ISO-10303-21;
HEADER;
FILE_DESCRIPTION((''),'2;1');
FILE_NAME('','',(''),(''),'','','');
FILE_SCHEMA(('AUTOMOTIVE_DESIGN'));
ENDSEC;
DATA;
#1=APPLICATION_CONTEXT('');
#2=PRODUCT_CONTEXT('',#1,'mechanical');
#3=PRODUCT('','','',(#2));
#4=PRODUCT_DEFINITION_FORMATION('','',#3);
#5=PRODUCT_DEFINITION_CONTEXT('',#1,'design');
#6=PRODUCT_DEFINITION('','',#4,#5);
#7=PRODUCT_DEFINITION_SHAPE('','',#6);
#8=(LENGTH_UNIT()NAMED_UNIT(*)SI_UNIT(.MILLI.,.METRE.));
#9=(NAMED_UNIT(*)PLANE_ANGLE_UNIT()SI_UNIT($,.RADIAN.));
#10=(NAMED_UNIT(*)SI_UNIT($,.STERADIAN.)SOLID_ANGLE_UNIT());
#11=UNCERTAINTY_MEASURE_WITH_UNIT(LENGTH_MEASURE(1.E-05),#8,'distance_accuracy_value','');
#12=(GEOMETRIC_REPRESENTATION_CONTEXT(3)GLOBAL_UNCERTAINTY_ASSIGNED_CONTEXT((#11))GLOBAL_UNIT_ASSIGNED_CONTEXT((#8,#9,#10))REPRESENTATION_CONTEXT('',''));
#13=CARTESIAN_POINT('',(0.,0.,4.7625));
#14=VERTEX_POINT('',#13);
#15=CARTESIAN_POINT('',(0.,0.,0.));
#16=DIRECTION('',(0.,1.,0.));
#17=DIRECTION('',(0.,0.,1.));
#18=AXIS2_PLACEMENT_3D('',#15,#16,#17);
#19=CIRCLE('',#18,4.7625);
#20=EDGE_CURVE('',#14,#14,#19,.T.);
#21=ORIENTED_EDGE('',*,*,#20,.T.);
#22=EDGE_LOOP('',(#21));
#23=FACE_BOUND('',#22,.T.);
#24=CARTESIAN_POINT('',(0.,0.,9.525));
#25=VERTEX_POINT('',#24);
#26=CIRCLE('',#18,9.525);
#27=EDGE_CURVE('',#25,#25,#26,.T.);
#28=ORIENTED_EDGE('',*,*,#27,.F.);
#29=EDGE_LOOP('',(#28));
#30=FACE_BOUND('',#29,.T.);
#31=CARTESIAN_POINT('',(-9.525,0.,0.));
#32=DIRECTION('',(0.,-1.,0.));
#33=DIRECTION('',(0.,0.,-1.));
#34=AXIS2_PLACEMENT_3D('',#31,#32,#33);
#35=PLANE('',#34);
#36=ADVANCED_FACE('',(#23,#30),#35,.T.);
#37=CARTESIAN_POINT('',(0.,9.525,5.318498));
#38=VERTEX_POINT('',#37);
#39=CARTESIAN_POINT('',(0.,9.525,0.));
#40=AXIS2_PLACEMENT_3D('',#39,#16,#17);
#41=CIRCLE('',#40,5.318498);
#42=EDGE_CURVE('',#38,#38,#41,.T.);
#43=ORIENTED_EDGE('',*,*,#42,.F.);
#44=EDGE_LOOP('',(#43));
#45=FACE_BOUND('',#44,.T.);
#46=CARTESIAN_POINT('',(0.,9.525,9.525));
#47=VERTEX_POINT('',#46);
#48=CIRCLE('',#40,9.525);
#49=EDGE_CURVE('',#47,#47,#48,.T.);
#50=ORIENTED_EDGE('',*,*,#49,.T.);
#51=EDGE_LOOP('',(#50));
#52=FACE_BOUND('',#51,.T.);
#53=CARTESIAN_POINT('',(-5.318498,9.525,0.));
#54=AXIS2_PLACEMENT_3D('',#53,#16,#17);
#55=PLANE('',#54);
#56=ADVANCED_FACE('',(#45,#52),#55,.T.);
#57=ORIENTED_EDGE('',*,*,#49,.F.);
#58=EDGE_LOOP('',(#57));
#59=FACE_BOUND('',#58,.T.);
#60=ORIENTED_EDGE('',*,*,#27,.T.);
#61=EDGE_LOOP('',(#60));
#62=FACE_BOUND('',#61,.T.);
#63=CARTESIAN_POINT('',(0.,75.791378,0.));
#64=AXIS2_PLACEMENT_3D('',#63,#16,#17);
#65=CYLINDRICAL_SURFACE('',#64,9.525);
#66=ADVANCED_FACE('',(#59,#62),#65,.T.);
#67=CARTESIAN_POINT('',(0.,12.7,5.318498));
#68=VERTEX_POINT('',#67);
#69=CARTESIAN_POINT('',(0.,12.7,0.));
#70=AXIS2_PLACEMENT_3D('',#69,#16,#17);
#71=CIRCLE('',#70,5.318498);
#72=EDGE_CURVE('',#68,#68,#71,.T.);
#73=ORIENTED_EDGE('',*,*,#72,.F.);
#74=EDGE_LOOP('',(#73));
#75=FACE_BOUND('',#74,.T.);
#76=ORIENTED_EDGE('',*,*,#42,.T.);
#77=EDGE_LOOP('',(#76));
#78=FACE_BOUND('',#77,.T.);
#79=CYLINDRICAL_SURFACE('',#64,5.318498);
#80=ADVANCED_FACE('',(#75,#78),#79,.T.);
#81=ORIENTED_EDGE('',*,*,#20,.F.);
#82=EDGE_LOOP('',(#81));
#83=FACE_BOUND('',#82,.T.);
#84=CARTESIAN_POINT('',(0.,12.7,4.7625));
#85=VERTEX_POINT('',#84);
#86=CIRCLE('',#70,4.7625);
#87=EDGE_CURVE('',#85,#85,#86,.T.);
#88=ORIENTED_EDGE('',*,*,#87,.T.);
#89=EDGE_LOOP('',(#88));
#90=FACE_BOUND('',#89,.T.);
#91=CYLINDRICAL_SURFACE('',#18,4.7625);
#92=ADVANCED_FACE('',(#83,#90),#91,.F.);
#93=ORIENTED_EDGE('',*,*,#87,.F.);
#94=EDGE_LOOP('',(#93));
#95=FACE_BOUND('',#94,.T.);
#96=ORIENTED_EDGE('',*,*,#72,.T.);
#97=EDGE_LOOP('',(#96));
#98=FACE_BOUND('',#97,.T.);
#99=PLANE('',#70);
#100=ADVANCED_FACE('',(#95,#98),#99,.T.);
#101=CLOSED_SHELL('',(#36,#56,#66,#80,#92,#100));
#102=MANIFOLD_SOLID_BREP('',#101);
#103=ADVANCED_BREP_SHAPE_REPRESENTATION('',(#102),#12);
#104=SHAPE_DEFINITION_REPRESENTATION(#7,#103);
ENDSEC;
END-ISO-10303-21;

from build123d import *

# Parameters (mm, degrees)
SKETCH2_R               = 4.7625
CUT_EXTRUDE1_DEPTH      = 1
CUT_EXTRUDE1_DEPTH_BACK = 13.7


with BuildPart() as part:
    # Sketch1 → Revolve1 (revolve)
    with BuildSketch(Plane.XY):
        Polygon((0, 12.7), (-5.318497624, 12.7), (-5.318497624, 9.525), (-9.525, 9.525), (-9.525, 0), (0, 0), align=None)
    revolve(axis=Axis((0, 75.791377724, 0), (0, -1, 0)))

    # Sketch2 → Cut-Extrude1 (cut, two sides)
    with BuildSketch(Plane(origin=(0, 12.7, 0), x_dir=(1, 0, 0), z_dir=(0, 1, 0))) as cut_extrude1_sk:
        Circle(SKETCH2_R)
    extrude(amount=CUT_EXTRUDE1_DEPTH, mode=Mode.SUBTRACT)
    extrude(cut_extrude1_sk.sketch, amount=-CUT_EXTRUDE1_DEPTH_BACK, mode=Mode.SUBTRACT)


solid = part.part
